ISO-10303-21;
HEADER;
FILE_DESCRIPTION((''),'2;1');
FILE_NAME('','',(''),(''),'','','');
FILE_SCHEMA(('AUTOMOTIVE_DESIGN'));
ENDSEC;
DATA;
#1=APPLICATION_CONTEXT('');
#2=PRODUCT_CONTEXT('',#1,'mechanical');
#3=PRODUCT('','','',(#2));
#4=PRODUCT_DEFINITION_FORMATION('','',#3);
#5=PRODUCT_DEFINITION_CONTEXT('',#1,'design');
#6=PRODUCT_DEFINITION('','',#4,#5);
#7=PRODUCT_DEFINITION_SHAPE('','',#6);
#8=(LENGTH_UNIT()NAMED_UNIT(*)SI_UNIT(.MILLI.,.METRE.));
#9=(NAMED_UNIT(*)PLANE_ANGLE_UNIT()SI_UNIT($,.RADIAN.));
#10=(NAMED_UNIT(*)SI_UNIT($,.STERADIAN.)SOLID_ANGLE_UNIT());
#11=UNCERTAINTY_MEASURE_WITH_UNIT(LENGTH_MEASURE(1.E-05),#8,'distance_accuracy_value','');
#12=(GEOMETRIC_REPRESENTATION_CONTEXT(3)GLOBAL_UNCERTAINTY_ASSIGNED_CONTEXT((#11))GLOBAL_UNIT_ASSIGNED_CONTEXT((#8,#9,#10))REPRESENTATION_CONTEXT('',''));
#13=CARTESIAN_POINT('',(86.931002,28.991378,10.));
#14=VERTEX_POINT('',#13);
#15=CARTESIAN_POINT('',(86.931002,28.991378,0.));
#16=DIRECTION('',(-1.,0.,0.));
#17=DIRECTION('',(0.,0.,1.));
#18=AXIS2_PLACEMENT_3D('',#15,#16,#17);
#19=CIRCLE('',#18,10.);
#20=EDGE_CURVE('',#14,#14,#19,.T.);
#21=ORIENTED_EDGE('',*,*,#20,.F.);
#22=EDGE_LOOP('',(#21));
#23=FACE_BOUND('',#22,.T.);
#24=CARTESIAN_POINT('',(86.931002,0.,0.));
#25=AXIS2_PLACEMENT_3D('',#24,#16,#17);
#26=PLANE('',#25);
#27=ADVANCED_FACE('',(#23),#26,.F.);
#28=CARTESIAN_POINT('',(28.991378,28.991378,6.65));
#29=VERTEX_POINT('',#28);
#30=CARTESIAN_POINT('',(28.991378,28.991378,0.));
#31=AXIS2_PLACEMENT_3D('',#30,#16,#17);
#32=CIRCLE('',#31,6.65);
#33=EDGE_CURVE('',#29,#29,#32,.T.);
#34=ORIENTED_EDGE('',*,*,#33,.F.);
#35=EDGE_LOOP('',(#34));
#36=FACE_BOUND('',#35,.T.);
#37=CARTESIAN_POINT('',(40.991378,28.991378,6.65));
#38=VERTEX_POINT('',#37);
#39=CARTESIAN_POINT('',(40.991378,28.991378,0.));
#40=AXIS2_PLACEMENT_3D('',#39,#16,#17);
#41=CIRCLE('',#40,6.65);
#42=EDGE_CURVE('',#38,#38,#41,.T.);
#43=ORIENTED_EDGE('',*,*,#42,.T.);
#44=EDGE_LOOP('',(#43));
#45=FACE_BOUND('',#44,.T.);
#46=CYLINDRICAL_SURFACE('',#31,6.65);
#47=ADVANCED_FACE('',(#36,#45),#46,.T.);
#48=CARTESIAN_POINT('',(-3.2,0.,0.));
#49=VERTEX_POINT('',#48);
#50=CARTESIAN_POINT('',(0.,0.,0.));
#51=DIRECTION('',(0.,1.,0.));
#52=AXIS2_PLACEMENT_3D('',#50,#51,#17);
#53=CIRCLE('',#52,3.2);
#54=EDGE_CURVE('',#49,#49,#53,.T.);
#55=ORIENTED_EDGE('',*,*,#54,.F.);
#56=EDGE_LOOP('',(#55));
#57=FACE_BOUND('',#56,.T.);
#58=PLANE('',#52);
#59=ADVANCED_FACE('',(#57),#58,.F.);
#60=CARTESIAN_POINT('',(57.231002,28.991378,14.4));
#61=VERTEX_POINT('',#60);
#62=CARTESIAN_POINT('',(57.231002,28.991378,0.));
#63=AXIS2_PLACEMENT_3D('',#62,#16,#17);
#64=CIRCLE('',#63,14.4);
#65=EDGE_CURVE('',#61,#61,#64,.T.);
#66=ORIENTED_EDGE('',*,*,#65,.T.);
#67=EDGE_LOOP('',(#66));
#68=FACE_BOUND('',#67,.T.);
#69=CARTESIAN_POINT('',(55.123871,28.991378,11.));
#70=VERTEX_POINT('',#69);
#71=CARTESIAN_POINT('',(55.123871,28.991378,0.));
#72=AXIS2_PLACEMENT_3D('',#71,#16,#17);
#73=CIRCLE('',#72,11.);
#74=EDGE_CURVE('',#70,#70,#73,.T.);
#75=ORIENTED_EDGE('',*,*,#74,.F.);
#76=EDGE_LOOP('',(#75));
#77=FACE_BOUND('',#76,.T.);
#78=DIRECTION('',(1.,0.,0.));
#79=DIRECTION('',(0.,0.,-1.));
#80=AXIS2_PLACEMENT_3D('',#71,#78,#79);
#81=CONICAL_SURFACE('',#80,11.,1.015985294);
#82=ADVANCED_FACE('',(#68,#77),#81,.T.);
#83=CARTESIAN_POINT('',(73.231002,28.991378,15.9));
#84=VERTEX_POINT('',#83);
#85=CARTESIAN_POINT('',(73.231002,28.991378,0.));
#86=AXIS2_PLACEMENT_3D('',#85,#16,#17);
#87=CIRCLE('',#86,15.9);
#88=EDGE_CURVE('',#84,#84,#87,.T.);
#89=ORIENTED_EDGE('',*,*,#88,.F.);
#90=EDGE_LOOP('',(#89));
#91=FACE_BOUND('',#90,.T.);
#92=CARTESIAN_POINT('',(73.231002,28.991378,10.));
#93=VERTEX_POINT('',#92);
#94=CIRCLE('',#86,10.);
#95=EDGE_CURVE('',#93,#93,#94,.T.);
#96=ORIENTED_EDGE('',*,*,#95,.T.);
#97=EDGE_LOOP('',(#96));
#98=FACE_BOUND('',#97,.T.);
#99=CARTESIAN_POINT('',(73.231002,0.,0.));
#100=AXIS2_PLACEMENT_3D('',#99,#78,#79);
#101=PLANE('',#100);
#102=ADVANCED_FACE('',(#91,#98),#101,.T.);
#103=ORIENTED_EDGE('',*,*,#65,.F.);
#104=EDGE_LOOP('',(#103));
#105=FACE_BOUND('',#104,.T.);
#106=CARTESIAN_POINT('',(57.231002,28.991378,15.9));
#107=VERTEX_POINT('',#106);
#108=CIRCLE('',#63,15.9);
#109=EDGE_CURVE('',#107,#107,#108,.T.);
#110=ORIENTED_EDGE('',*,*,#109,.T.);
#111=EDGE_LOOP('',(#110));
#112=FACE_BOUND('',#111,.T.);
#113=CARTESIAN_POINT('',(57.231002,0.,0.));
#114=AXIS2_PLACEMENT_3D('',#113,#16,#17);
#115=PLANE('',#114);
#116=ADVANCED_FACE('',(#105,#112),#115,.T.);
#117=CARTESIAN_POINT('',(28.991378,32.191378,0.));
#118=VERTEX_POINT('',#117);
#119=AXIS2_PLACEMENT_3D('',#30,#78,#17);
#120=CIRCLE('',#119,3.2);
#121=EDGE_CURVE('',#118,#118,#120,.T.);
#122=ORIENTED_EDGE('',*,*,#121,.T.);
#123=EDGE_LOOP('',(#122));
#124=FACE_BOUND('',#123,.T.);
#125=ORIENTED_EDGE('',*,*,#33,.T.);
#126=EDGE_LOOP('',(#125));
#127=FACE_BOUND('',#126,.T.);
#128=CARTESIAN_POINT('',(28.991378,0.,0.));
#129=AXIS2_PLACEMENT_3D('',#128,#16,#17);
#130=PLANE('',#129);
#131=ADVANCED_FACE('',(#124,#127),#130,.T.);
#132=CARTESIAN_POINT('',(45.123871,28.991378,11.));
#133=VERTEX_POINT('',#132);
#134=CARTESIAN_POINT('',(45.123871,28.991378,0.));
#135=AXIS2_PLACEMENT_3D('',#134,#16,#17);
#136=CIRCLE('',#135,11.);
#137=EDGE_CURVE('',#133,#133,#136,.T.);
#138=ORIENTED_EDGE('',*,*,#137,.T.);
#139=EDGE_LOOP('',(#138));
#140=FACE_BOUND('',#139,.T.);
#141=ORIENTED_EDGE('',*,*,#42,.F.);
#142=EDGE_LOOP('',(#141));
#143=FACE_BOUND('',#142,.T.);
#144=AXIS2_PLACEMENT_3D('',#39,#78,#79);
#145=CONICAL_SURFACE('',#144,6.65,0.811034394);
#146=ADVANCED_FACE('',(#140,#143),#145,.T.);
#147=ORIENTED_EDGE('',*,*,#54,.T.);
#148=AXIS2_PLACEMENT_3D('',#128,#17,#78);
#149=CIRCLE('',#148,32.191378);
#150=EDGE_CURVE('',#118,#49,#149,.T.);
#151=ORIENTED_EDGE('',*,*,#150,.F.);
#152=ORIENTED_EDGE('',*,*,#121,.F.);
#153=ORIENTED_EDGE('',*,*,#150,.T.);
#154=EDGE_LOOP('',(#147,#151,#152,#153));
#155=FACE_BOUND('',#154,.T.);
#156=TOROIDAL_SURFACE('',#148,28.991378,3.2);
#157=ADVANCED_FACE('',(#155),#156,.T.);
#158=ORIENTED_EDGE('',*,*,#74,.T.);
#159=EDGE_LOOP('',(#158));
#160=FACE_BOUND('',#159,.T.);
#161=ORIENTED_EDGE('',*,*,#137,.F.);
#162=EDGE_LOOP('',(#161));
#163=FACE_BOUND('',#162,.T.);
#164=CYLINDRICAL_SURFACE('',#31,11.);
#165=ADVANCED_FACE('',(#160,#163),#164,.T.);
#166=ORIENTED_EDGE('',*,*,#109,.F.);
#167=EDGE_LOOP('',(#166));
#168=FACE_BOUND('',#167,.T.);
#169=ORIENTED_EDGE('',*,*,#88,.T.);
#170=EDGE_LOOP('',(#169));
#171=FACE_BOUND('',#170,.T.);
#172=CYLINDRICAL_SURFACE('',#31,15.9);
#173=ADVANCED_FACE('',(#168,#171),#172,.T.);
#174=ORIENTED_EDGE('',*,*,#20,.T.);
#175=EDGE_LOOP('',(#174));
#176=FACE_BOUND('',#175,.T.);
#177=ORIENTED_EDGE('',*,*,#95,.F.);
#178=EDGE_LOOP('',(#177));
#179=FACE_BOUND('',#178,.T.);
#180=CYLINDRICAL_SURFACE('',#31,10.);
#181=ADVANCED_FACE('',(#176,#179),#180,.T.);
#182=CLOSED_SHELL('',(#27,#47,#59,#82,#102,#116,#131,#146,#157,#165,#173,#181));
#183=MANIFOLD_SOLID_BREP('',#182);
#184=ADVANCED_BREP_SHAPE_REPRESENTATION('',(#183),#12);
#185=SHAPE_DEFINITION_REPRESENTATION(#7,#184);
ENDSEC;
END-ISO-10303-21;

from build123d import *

# Parameters (mm, degrees)
SKETCH2_R   = 3.2
SKETCH4_W   = 12
SKETCH4_H   = 6.65
SKETCH4_W_2 = 13.7
SKETCH4_H_2 = 10


with BuildPart() as part:
    # Sweep1: sweep along a path in Sketch1
    with BuildLine(Plane.XY) as sweep1_path:
        ThreePointArc((0, 0), (8.491378029, 20.5), (28.991378029, 28.991378029))
    # Sketch2 → Sweep1 (sweep)
    with BuildSketch(Plane(origin=(0, 0, 0), x_dir=(1, 0, 0), z_dir=(0, 1, 0))):
        Circle(SKETCH2_R)
    sweep(path=sweep1_path.line)

    # Sketch4 → Revolve1 (revolve)
    with BuildSketch(Plane.XY, mode=Mode.PRIVATE) as revolve1_sk:
        with Locations((34.991378029, 32.316378029)):
            Rectangle(SKETCH4_W, SKETCH4_H)
        Polygon((55.123871223, 28.991378029), (40.991378029, 28.991378029), (40.991378029, 35.641378029), (45.123871223, 39.991378029), (55.123871223, 39.991378029), align=None)
        Polygon((73.231001973, 28.991378029), (55.123871223, 28.991378029), (55.123871223, 39.991378029), (57.231001973, 43.391378029), (57.231001973, 44.891378029), (73.231001973, 44.891378029), align=None)
        with Locations((80.081001973, 33.991378029)):
            Rectangle(SKETCH4_W_2, SKETCH4_H_2)
    revolve(revolve1_sk.sketch.rotate(Axis((28.991378029, 28.991378029, 0), (1, 0, 0)), 90), axis=Axis((28.991378029, 28.991378029, 0), (1, 0, 0)))  # turned: the seam where the file's is


solid = part.part
